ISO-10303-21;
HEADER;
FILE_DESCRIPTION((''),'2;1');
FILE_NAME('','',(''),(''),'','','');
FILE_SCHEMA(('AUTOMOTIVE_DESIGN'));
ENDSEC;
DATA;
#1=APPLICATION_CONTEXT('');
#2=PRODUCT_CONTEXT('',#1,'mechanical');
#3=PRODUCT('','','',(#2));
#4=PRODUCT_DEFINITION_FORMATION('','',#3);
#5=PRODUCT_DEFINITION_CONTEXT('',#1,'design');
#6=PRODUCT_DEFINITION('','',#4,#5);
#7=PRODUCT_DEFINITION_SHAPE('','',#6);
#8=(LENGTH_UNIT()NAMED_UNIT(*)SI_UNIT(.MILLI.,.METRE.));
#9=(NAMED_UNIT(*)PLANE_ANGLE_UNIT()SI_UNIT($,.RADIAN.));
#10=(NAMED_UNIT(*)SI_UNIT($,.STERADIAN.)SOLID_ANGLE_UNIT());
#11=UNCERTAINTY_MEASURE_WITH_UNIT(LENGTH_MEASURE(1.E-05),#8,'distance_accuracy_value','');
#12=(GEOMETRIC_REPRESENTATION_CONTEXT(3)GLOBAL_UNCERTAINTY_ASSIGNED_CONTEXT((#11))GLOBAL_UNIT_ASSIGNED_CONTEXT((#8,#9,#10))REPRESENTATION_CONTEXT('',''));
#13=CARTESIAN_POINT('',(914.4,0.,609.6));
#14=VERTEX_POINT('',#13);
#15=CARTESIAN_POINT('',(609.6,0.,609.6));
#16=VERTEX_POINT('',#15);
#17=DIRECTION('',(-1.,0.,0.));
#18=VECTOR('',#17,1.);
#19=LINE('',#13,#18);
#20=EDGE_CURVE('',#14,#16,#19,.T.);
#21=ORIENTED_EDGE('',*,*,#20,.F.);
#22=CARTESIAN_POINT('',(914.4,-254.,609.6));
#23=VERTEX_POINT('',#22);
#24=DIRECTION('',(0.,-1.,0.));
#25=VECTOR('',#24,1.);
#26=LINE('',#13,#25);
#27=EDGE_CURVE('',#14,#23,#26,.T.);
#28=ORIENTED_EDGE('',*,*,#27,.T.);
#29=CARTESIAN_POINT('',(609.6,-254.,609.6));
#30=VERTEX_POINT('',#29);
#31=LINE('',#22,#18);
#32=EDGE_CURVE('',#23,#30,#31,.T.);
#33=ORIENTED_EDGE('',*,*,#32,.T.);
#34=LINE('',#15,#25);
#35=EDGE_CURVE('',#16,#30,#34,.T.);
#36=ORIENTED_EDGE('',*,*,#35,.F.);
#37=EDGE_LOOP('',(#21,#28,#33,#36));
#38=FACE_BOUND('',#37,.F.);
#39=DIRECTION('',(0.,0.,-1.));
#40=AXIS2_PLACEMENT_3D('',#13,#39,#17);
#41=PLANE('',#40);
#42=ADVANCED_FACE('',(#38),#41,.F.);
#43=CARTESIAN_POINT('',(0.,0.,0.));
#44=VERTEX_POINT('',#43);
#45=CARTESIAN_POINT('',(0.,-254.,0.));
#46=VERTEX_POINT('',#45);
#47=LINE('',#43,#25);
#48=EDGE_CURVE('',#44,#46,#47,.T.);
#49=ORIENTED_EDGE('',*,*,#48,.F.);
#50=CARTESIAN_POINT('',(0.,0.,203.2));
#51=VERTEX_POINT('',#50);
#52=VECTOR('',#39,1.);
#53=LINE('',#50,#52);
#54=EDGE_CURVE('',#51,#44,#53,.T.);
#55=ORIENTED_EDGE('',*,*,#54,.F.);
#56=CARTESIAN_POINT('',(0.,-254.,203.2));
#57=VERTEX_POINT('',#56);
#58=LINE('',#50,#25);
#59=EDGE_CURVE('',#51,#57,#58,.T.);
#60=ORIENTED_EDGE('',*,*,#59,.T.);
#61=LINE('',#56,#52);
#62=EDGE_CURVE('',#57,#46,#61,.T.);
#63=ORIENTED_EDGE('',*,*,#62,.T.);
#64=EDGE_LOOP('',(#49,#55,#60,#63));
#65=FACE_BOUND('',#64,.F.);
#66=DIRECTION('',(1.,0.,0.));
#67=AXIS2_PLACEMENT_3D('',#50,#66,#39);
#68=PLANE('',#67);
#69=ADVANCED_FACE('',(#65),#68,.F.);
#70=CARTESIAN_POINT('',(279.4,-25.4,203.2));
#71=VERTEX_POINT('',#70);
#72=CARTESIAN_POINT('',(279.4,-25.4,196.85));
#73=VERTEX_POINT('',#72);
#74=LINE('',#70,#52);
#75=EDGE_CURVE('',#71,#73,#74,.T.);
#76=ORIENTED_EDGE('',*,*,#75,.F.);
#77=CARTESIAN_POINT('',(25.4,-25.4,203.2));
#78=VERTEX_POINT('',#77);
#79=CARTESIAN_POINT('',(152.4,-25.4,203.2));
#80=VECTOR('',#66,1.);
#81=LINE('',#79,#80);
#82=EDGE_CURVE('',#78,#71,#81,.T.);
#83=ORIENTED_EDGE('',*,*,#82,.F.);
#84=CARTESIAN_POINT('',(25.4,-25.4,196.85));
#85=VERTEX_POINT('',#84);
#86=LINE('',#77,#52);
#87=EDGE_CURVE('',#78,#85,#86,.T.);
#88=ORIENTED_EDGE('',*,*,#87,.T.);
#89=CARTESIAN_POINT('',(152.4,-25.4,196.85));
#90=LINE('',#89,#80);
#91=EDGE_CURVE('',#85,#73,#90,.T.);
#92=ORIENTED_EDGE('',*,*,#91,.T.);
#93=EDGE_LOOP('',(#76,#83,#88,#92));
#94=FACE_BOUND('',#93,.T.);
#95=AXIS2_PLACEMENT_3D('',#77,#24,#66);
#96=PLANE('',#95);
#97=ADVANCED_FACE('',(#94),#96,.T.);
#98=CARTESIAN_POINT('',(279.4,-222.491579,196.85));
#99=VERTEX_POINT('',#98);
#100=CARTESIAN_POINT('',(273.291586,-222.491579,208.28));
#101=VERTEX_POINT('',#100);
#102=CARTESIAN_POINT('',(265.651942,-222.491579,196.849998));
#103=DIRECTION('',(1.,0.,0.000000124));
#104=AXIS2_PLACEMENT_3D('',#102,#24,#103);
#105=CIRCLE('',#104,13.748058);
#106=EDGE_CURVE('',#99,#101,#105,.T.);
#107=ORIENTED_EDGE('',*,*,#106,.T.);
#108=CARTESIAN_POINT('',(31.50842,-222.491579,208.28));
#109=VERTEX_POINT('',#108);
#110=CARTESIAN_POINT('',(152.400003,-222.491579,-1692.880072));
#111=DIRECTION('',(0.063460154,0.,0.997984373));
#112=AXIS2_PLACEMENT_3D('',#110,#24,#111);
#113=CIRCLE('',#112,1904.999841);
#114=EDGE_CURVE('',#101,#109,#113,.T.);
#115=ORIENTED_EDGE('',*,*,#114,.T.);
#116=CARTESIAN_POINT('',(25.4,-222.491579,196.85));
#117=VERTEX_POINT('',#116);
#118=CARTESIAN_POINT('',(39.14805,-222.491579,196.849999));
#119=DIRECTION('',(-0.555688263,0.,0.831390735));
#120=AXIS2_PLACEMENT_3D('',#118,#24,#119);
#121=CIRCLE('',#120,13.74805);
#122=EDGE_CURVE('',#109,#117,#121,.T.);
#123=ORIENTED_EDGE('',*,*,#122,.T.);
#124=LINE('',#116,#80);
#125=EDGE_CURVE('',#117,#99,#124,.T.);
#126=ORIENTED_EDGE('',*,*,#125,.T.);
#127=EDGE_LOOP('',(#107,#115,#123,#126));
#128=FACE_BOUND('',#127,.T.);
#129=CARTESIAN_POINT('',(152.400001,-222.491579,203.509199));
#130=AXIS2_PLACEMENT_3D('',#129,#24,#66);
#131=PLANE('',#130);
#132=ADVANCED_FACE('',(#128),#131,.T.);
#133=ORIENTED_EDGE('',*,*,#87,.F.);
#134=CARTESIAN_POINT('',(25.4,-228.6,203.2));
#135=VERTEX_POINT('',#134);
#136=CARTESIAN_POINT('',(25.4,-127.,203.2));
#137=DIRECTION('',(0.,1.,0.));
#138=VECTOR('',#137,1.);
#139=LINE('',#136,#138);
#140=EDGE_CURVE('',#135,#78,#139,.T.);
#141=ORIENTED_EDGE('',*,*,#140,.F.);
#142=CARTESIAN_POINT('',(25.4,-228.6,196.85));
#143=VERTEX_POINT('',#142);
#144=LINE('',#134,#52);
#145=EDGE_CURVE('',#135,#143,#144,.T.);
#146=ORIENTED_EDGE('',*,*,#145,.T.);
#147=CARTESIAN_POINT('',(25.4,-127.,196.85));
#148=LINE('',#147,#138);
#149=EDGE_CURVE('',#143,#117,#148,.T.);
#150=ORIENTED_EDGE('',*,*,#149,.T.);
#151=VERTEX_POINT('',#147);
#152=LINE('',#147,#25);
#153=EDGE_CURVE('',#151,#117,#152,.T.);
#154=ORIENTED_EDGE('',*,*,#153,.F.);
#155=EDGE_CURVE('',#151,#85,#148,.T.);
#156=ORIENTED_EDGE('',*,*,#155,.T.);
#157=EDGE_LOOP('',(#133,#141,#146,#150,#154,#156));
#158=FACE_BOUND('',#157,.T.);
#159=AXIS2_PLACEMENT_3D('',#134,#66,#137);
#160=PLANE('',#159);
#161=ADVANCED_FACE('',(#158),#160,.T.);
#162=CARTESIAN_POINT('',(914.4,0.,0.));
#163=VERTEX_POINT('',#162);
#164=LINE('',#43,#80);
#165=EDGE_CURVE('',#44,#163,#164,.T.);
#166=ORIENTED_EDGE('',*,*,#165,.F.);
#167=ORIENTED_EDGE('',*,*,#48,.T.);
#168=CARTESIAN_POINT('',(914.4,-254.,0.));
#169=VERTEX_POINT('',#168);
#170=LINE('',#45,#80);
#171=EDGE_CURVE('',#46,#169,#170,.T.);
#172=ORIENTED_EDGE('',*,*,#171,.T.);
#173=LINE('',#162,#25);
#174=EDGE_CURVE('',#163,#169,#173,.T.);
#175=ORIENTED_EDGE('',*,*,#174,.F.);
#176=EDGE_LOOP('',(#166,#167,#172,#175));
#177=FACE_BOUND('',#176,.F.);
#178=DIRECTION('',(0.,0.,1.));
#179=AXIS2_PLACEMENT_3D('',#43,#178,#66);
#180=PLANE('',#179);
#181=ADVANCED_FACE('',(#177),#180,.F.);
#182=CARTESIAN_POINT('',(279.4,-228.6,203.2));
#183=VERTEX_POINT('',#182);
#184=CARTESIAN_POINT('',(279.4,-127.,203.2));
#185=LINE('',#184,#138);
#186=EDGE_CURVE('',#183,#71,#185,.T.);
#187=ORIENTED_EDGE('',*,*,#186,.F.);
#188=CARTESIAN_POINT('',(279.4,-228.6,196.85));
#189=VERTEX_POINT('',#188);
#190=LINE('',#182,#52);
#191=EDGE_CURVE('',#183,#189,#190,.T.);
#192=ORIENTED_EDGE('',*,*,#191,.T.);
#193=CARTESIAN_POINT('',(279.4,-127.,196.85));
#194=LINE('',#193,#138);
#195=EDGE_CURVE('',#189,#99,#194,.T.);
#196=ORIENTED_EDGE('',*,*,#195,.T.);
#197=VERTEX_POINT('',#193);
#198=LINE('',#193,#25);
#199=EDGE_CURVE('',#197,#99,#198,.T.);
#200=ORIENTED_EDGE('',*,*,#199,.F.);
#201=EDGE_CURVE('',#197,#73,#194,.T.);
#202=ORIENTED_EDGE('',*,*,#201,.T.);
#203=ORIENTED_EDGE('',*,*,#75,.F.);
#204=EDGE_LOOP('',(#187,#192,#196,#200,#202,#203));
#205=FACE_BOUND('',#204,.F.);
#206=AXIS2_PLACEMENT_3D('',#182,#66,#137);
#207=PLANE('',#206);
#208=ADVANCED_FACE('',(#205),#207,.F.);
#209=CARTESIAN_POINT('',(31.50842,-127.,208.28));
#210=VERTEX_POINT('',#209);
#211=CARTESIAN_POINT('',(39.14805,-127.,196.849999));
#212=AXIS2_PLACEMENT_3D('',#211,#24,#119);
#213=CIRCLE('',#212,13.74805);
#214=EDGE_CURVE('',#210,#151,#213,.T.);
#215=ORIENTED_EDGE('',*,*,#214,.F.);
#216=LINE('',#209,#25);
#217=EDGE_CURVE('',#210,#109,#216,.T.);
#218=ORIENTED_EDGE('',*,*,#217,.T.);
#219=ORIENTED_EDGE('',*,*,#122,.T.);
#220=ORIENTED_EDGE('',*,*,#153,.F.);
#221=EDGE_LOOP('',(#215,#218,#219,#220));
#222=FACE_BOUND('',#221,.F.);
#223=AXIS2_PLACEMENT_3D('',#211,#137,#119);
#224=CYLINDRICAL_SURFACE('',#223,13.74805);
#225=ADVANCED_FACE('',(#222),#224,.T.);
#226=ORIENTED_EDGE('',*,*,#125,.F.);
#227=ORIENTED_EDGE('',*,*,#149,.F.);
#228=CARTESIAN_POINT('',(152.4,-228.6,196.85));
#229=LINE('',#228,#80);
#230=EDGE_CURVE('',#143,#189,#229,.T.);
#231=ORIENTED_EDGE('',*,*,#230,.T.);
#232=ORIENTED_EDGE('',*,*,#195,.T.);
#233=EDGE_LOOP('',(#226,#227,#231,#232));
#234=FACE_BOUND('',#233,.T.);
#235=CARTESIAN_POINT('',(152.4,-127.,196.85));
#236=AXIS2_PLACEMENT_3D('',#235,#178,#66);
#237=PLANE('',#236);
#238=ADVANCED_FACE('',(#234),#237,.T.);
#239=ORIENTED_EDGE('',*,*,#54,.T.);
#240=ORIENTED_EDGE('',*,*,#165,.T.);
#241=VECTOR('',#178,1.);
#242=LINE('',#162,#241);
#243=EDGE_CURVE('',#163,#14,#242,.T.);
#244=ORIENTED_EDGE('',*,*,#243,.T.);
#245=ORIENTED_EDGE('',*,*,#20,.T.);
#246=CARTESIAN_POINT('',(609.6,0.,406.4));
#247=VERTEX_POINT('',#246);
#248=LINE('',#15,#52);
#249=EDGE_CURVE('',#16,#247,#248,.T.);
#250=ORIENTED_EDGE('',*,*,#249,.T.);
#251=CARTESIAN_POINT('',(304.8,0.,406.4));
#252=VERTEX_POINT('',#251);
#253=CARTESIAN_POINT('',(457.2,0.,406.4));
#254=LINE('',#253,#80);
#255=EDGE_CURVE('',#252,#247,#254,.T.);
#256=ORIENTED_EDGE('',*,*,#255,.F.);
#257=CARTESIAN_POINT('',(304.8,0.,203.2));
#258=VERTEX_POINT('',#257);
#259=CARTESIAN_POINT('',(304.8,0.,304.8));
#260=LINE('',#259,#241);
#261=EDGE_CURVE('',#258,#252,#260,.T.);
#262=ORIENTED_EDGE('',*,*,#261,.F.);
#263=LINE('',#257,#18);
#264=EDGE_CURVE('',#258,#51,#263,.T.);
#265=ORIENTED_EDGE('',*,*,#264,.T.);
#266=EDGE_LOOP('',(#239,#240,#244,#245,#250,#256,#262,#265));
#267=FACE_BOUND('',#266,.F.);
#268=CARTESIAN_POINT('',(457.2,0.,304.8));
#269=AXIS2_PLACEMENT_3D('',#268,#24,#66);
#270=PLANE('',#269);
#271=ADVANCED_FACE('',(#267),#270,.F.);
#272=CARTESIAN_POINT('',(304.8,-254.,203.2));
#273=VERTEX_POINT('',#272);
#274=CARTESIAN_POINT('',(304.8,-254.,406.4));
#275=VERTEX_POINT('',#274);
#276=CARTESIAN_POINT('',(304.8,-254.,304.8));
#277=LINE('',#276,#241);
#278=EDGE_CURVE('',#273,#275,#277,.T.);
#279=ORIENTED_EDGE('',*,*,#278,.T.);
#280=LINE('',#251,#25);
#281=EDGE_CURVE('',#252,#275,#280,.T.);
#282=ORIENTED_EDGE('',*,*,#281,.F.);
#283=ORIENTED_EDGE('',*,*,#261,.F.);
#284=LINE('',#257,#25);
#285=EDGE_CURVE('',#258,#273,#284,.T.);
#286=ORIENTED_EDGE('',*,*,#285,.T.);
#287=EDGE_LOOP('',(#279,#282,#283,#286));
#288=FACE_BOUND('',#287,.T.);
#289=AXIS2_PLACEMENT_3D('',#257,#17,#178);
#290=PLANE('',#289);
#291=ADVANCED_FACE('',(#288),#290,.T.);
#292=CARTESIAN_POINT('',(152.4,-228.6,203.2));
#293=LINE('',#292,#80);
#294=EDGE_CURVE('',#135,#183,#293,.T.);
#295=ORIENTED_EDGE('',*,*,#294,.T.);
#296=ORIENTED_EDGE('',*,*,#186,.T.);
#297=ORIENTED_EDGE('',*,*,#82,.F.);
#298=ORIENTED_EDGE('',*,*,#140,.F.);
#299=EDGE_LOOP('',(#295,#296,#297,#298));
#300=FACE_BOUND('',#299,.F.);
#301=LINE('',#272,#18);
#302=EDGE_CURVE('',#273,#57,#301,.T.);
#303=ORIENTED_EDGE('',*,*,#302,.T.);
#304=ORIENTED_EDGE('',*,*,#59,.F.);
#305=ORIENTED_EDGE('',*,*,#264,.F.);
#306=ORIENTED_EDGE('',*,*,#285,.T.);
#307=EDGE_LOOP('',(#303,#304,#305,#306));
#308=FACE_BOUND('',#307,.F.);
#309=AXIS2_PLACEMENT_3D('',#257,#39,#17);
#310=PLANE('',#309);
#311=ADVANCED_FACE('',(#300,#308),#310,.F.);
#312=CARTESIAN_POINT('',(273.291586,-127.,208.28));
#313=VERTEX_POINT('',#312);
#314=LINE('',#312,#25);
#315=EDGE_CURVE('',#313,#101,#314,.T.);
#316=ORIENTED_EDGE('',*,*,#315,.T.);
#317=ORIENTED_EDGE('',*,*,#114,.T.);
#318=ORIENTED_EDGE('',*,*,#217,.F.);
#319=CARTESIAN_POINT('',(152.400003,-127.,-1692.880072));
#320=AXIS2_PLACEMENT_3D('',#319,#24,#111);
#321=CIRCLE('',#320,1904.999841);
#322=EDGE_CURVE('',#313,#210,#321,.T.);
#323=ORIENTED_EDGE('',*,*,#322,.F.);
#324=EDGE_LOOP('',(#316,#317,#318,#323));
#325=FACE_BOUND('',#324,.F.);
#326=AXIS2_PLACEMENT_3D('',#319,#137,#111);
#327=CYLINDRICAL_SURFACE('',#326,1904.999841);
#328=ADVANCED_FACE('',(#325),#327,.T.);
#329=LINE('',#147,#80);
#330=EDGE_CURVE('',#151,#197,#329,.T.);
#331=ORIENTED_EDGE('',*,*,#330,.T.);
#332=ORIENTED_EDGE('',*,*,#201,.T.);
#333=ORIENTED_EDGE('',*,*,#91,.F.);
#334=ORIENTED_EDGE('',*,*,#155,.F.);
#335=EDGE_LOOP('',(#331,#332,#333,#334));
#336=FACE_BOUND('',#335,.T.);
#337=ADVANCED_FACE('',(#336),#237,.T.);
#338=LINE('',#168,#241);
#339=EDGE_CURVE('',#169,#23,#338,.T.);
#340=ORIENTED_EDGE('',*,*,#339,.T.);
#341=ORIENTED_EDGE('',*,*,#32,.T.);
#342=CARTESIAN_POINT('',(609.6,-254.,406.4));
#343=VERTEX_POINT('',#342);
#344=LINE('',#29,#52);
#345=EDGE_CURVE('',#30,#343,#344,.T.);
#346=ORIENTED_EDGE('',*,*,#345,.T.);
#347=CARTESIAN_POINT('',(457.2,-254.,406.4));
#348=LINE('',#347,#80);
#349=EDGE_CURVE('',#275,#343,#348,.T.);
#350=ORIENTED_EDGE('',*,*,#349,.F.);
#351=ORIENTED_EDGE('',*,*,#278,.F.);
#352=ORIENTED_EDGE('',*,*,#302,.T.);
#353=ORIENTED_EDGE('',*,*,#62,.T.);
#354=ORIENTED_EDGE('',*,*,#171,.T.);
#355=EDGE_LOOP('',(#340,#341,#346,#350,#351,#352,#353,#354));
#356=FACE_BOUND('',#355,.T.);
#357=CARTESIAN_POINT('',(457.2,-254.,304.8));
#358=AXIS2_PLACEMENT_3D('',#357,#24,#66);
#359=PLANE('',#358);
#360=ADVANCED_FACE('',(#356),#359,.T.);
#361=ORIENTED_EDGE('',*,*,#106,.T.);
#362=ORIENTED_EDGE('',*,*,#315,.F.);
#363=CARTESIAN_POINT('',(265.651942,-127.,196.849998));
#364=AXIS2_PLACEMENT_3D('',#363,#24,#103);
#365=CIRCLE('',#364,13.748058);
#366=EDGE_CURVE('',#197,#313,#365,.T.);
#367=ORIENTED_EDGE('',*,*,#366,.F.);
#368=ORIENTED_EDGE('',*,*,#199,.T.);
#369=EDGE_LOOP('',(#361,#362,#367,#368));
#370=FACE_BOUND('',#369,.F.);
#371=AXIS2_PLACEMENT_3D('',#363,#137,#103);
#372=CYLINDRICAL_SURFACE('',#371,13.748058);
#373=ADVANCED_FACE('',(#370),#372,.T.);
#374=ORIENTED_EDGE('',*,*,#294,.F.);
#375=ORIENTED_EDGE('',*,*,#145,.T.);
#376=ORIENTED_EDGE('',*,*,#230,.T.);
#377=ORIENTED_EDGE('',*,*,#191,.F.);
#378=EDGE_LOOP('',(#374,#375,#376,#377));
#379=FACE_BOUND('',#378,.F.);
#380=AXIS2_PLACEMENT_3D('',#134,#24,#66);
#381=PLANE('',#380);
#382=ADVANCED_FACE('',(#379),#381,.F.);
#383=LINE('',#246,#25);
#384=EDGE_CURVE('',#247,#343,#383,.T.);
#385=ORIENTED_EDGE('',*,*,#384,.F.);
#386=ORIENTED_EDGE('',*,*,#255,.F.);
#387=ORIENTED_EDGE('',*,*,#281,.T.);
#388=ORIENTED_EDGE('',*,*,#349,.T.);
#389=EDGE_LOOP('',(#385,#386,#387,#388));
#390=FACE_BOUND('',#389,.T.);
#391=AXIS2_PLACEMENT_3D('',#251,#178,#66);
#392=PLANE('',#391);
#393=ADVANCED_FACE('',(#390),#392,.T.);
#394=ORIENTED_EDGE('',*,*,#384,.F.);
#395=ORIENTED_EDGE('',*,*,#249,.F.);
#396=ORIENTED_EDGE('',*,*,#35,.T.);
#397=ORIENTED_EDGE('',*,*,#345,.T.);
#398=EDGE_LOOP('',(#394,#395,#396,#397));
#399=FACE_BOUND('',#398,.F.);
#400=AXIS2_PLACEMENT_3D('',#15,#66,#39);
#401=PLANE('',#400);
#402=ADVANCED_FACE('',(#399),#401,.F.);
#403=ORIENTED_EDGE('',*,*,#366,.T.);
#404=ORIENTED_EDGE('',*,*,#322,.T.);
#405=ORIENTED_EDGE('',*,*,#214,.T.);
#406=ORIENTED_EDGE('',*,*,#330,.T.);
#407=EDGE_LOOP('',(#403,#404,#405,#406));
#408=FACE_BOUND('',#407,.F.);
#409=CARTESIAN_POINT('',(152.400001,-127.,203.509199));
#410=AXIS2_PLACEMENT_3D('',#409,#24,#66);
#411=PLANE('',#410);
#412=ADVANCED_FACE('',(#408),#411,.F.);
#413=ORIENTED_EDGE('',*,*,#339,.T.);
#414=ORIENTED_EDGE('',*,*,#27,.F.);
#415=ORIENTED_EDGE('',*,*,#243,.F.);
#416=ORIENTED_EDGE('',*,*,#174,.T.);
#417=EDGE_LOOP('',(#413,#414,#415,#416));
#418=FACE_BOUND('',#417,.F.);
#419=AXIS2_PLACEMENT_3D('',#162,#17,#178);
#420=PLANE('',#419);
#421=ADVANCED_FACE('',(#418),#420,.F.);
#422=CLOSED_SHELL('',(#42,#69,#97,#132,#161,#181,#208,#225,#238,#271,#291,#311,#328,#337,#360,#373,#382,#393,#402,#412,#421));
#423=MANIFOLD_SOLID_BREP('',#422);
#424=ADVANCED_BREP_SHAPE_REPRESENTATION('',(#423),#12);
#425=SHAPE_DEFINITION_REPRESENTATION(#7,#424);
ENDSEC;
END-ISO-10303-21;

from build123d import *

# Parameters (mm, degrees)
F0_W     = 304.8
F0_H     = 203.2
F1_DEPTH = 254
F2_W     = 254
F2_H     = 203.2
F3_DEPTH = 6.35
F7_DEPTH = 95.491579


with BuildPart() as f1:
    # F0 (on Front) → F1 (new body)
    with BuildSketch(Plane.XZ):
        with Locations((457.2, 304.8)):
            Rectangle(F0_W, F0_H)
        Polygon((609.6, 203.2), (914.4, 203.2), (914.4, 609.6), (609.6, 609.6), (609.6, 406.4), align=None)
        Polygon((0, 203.2), (0, 0), (914.4, 0), (914.4, 203.2), (609.6, 203.2), (304.8, 203.2), align=None)
    extrude(amount=F1_DEPTH)

    # F2 (on face) → F3 (cut)
    with BuildSketch(Plane.XY.offset(203.2)):
        with Locations((152.4, -127)):
            Rectangle(F2_W, F2_H)
    extrude(amount=-F3_DEPTH, mode=Mode.SUBTRACT)

    # F6 (on offset) → F7 (join)
    with BuildSketch(Plane.XZ.offset(127)):
        with BuildLine():
            ThreePointArc((273.291586, 208.28), (152.400003, 212.119769), (31.50842, 208.28))
            ThreePointArc((31.50842, 208.28), (27.022893, 203.329925), (25.4, 196.85))
            Line((25.4, 196.85), (279.4, 196.85))
            ThreePointArc((279.4, 196.85), (277.777109, 203.329923), (273.291586, 208.28))
        make_face()
    extrude(amount=F7_DEPTH)


solid = f1.part
